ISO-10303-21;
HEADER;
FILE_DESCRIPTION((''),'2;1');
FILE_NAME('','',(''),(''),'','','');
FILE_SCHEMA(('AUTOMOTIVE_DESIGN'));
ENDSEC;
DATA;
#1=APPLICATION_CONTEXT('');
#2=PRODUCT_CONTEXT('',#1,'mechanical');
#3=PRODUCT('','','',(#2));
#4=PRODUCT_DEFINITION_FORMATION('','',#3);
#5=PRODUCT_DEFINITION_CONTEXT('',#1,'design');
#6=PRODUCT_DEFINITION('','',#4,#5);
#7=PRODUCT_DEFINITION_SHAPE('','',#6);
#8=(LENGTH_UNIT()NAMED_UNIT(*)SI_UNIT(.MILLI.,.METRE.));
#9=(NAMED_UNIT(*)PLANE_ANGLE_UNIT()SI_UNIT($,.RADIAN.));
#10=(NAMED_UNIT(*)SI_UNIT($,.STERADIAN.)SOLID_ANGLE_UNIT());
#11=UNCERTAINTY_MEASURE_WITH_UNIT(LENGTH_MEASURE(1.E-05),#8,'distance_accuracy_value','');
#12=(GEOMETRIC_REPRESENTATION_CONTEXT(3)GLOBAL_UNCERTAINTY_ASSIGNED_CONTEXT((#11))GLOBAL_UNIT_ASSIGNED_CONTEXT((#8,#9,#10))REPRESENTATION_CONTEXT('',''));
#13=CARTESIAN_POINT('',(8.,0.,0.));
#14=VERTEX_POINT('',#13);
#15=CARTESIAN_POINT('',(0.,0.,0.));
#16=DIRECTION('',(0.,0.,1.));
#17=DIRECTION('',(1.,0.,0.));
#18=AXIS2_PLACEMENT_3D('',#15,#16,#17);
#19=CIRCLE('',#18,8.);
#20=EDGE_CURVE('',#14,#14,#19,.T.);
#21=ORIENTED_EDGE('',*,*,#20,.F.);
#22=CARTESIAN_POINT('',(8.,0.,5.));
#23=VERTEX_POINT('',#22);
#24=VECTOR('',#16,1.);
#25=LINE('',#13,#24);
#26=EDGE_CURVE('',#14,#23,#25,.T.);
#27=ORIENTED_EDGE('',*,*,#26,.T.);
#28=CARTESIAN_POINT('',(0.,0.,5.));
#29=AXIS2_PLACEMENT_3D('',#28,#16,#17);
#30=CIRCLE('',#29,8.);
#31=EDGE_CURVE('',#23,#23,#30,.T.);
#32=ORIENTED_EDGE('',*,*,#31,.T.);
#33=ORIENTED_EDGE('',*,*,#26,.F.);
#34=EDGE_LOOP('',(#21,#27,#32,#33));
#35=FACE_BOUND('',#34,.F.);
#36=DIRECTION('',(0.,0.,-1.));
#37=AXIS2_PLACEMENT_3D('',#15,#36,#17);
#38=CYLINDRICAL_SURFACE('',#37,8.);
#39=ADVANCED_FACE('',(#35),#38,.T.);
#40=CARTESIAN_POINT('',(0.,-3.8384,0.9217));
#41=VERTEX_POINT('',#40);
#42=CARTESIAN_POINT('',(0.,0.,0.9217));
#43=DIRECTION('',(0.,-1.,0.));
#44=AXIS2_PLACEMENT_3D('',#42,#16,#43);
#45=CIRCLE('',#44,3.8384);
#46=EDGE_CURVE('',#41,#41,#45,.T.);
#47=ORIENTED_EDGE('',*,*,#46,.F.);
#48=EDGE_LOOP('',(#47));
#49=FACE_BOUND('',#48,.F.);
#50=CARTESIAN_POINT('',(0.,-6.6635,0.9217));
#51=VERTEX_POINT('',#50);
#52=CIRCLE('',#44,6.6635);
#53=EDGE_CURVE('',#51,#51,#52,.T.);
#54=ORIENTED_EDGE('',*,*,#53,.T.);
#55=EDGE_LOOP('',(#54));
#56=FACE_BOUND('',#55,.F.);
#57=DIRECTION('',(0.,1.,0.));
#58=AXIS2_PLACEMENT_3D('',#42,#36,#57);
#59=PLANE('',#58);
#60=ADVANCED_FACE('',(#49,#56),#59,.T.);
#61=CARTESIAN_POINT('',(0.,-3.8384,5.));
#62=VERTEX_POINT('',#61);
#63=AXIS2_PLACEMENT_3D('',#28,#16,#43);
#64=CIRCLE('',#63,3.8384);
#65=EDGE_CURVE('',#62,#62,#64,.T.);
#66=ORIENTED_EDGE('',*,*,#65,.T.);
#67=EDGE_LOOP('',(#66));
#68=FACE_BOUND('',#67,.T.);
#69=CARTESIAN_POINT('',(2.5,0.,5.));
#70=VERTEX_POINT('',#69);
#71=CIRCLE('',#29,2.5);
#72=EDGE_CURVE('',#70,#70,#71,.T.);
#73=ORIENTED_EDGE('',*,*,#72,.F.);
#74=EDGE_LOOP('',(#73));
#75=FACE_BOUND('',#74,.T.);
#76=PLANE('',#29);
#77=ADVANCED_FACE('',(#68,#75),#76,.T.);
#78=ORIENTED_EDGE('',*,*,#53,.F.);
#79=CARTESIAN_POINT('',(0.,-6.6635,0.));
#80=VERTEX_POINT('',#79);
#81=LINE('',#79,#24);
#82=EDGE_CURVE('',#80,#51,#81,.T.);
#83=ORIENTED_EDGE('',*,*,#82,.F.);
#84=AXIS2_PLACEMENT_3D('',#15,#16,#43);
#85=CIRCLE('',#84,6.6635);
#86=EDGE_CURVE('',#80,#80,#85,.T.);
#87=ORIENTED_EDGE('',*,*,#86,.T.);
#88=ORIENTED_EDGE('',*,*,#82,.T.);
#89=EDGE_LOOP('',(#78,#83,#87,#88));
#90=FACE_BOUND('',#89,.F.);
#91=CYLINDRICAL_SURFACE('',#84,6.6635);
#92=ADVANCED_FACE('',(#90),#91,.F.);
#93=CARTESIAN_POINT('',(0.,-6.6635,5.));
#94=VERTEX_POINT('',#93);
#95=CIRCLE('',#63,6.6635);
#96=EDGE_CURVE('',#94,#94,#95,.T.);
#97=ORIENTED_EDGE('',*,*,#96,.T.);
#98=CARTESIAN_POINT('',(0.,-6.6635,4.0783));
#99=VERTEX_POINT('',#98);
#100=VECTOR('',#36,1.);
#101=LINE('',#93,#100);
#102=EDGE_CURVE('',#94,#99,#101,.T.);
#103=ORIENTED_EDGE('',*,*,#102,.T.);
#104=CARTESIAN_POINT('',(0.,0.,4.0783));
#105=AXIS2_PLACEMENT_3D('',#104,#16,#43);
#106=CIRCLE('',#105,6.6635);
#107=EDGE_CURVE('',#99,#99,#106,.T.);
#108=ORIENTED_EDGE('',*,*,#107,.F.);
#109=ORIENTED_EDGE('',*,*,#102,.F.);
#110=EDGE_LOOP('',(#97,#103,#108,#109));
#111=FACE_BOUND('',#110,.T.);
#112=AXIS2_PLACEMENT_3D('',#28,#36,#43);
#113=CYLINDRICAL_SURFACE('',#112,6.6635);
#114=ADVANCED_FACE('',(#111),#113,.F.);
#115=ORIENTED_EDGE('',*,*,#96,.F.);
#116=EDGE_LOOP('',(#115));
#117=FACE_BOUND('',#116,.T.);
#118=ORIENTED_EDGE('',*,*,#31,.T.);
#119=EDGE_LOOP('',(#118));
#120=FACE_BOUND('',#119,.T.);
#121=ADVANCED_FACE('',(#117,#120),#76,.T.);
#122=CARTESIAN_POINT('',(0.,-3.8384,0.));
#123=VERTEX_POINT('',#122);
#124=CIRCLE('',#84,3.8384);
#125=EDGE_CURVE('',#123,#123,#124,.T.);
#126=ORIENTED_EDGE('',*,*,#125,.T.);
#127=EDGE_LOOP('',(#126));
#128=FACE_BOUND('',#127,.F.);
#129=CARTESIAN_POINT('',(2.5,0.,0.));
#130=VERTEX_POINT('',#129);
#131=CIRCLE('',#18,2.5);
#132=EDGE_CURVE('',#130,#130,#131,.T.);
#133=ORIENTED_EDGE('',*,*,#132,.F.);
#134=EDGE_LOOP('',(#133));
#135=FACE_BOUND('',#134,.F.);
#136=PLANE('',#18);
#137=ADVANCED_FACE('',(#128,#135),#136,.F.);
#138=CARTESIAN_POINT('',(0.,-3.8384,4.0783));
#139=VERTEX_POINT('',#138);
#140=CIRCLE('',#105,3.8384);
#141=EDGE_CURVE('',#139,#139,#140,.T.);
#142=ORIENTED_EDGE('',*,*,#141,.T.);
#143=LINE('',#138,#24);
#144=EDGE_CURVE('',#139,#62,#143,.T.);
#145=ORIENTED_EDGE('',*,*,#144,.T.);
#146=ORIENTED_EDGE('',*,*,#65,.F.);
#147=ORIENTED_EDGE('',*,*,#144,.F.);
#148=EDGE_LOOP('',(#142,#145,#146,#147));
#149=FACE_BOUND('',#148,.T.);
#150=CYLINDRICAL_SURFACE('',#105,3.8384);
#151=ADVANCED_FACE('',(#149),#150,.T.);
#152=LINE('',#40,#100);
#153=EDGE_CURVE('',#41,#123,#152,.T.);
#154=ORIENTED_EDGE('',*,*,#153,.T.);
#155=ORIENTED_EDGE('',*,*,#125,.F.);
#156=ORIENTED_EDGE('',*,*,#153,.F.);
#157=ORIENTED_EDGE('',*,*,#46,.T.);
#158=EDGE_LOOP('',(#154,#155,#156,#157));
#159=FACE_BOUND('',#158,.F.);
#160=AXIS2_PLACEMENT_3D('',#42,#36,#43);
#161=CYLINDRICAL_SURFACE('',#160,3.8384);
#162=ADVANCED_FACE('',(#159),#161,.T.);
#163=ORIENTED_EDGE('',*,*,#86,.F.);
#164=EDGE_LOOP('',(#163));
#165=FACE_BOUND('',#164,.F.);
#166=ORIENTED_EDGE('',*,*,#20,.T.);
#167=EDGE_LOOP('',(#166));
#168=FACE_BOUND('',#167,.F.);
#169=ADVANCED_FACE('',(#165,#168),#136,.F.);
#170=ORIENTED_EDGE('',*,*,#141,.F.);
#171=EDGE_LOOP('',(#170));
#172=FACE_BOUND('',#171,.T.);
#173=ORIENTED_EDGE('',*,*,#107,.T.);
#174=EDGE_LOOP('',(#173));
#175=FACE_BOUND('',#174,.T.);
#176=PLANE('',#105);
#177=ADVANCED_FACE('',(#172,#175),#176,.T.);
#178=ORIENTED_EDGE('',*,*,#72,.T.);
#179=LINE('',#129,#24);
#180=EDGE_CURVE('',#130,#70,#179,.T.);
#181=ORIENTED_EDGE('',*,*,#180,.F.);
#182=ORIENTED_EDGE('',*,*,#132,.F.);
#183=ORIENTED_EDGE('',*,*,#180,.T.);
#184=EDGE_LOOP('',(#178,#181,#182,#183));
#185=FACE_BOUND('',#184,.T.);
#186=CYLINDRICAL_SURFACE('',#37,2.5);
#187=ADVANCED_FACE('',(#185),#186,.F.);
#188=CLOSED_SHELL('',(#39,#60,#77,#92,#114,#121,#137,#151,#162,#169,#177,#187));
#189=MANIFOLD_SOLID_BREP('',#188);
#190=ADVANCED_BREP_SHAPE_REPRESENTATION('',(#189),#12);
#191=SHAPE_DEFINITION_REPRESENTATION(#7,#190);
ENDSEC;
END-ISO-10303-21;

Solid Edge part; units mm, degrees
sketch "Sketch1" plane through (0, 0, 0) normal (0, 0, 1) x (1, 0, 0)
  circle A0 centre (0, 0) radius 8
  circle A1 centre (0, 0) radius 2.5
  dimension "D1" = 16
  dimension "D2" = 5
extrude "Protrusion1" add sketch "Sketch1" along normal blind 5
sketch "Sketch2" plane through (0, 0, 0) normal (1, 0, 0) x (0, 1, 0)
  line L0 (-6.6635, 5) -> (-6.6635, 4.0783)
  line L1 (-6.6635, 4.0783) -> (-3.8384, 4.0783)
  line L2 (-3.8384, 4.0783) -> (-3.8384, 5)
revolve "RevolvedCutout1" cut sketch "Sketch2" angle 360 about axis through (0, 0, -57) along (0, 0, 1) material side at (0, -6.6135, 4.5391)
mirror "Mirror1" about plane through (0, 0, 2.5) normal (0, 0, 1) of "RevolvedCutout1"
properties material "Stainless steel"
